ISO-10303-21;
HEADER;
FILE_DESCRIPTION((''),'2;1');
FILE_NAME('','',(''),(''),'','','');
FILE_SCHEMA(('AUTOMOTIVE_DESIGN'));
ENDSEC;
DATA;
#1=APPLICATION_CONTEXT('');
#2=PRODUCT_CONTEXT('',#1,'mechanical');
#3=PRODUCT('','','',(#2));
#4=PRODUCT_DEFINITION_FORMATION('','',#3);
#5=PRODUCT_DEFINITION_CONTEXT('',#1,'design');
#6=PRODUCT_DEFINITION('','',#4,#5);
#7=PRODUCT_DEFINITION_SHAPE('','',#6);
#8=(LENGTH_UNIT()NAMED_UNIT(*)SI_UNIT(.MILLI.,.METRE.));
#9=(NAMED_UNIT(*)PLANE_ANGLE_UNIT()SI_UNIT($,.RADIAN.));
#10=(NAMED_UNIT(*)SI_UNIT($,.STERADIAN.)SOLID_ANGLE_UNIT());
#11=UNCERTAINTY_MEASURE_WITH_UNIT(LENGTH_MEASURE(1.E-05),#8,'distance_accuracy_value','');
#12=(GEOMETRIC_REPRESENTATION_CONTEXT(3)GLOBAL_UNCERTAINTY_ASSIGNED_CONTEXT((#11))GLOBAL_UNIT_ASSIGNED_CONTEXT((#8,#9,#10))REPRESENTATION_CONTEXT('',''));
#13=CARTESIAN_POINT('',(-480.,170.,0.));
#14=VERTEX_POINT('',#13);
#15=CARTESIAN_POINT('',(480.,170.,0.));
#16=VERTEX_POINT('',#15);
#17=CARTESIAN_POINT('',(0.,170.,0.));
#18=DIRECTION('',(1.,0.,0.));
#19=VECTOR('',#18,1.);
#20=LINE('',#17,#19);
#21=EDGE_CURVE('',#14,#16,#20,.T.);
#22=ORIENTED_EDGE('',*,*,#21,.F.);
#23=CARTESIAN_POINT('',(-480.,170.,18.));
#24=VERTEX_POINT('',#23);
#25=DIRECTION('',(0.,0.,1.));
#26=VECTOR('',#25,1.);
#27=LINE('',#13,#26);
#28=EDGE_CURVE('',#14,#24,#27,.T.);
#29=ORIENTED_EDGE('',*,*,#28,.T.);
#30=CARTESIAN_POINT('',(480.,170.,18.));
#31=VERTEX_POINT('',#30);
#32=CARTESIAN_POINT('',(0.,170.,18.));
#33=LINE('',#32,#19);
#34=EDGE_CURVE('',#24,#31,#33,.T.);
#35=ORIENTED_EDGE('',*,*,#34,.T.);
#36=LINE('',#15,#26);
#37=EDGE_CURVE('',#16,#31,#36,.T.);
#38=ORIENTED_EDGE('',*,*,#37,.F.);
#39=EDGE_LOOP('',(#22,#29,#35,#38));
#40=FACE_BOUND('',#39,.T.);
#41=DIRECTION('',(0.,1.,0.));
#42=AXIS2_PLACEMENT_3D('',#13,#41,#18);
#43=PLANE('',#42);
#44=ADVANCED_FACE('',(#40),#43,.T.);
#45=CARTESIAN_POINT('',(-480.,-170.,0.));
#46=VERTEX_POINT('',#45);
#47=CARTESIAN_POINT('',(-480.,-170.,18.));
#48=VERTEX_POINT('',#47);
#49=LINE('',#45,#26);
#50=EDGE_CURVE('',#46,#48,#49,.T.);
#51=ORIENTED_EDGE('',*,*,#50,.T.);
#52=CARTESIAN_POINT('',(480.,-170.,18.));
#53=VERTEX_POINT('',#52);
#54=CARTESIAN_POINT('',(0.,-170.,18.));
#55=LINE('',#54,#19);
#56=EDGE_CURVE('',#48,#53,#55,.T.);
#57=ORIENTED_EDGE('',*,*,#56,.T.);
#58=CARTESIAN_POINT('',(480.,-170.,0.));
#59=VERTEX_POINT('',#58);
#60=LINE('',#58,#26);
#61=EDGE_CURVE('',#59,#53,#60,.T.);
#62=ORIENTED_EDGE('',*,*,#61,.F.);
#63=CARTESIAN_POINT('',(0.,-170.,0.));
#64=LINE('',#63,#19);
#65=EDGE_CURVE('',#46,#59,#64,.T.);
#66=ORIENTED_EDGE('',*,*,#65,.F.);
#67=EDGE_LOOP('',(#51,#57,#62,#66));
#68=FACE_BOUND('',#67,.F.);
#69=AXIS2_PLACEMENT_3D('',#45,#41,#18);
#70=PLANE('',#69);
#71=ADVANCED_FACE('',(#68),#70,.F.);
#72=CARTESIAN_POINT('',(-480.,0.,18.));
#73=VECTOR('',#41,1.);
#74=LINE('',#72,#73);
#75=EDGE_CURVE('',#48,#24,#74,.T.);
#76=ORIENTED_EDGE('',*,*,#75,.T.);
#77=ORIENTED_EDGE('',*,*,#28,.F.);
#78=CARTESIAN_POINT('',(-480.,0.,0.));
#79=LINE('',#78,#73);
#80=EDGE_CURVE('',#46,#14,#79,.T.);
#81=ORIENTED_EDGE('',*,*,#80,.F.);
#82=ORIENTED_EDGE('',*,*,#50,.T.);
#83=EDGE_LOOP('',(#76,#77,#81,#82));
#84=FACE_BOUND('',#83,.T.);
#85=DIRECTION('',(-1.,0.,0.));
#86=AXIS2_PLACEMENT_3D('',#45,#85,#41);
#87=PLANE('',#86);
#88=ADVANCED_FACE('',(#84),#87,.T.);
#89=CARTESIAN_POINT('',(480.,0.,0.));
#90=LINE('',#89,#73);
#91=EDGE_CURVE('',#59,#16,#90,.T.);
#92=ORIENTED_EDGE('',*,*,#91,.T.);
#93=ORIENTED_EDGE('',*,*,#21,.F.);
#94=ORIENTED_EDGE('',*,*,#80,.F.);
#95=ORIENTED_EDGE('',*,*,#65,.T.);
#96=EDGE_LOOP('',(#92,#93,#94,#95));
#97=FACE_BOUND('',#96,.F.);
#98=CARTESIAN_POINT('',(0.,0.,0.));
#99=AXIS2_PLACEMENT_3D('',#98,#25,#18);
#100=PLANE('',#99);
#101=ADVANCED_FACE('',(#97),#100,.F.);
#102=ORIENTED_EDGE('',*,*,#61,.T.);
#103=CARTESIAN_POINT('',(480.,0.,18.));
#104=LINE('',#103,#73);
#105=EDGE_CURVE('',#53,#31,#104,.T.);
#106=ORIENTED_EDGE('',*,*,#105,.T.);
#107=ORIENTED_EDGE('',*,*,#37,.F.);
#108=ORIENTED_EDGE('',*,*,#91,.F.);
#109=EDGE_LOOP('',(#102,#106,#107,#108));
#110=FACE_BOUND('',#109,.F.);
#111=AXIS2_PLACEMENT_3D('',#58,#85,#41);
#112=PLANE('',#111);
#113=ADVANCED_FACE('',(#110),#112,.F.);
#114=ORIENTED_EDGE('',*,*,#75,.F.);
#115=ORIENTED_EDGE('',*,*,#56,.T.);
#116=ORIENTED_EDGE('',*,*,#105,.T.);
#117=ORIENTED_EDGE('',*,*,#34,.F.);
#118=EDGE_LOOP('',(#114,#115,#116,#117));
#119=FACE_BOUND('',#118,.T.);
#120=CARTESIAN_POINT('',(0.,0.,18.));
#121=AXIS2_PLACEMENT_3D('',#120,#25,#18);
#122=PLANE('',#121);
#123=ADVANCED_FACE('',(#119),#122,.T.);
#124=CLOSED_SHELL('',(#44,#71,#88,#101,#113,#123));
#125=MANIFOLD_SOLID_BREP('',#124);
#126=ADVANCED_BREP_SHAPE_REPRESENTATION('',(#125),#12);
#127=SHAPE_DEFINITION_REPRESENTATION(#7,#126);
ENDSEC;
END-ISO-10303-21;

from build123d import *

# Parameters (mm, degrees)
SKETCH_W      = 960
SKETCH_H      = 340
EXTRUDE_DEPTH = 18


with BuildPart() as part:
    # Sketch → Extrude (new body)
    with BuildSketch(Plane.XY):
        Rectangle(SKETCH_W, SKETCH_H)
    extrude(amount=EXTRUDE_DEPTH)


solid = part.part
